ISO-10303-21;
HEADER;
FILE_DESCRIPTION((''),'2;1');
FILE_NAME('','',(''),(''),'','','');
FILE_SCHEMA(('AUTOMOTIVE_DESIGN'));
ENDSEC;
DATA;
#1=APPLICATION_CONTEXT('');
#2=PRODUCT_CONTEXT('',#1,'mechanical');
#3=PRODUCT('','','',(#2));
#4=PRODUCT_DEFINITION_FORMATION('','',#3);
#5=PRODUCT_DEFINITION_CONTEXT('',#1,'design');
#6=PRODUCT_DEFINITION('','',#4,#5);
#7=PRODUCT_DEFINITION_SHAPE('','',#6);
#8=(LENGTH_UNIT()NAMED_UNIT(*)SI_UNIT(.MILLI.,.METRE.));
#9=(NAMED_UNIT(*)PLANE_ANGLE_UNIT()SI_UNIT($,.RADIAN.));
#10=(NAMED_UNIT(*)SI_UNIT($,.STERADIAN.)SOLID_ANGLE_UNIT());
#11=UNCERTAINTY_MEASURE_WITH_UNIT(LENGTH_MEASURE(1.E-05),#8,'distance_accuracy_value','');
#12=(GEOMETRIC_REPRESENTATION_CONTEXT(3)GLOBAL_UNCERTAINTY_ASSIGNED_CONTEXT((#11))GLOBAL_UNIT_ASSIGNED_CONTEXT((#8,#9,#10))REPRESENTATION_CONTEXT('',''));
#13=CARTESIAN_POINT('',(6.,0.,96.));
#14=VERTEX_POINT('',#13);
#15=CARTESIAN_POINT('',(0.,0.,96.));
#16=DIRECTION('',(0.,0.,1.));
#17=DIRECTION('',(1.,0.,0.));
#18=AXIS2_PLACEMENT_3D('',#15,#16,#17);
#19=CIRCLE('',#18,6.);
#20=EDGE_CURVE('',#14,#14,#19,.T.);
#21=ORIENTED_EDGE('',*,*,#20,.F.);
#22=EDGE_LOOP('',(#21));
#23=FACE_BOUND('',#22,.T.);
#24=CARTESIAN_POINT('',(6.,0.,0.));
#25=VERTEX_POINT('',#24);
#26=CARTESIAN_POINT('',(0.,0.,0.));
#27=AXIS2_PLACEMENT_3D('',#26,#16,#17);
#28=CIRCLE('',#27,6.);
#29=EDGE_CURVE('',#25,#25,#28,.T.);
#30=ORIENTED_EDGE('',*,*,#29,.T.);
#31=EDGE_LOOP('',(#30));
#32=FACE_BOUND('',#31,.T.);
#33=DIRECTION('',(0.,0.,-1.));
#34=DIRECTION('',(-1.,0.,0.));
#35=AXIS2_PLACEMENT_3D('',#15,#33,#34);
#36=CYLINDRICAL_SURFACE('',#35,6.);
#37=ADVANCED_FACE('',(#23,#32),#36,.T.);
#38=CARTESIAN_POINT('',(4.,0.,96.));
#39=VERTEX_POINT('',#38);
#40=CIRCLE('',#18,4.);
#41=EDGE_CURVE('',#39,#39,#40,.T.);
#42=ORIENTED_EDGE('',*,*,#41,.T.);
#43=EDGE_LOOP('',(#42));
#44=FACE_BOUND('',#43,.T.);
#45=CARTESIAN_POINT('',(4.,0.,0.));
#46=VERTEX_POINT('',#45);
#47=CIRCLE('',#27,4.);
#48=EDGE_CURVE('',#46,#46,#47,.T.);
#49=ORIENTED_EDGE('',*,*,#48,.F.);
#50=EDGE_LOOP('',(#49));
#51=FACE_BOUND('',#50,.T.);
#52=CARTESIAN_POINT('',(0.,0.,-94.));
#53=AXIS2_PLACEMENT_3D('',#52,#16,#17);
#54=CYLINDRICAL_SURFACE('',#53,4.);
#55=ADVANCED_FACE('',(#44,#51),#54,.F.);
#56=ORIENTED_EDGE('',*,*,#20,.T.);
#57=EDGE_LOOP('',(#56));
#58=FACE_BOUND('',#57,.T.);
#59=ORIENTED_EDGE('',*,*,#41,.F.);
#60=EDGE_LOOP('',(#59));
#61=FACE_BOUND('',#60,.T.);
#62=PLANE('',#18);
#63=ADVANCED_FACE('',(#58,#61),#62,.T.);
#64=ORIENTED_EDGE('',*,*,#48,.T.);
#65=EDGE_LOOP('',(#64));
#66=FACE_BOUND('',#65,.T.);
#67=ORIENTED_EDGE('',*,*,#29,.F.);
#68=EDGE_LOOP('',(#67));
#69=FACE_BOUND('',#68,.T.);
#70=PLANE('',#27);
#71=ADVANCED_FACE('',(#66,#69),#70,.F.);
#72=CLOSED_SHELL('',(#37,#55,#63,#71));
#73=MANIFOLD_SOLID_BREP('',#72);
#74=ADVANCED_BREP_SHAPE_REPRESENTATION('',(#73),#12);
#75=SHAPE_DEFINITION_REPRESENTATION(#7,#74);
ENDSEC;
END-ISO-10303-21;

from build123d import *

# Parameters (mm, degrees)
SKETCH1_R           = 6
BOSS_EXTRUDE1_DEPTH = 96
SKETCH2_R           = 4
CUT_EXTRUDE1_DEPTH  = 190


with BuildPart() as part:
    # Sketch1 → Boss-Extrude1 (new body)
    with BuildSketch(Plane.XY):
        Circle(SKETCH1_R)
    extrude(amount=BOSS_EXTRUDE1_DEPTH)

    # Sketch2 → Cut-Extrude1 (cut)
    with BuildSketch(Plane.XY.offset(96)):
        Circle(SKETCH2_R)
    extrude(amount=-CUT_EXTRUDE1_DEPTH, mode=Mode.SUBTRACT)


solid = part.part
